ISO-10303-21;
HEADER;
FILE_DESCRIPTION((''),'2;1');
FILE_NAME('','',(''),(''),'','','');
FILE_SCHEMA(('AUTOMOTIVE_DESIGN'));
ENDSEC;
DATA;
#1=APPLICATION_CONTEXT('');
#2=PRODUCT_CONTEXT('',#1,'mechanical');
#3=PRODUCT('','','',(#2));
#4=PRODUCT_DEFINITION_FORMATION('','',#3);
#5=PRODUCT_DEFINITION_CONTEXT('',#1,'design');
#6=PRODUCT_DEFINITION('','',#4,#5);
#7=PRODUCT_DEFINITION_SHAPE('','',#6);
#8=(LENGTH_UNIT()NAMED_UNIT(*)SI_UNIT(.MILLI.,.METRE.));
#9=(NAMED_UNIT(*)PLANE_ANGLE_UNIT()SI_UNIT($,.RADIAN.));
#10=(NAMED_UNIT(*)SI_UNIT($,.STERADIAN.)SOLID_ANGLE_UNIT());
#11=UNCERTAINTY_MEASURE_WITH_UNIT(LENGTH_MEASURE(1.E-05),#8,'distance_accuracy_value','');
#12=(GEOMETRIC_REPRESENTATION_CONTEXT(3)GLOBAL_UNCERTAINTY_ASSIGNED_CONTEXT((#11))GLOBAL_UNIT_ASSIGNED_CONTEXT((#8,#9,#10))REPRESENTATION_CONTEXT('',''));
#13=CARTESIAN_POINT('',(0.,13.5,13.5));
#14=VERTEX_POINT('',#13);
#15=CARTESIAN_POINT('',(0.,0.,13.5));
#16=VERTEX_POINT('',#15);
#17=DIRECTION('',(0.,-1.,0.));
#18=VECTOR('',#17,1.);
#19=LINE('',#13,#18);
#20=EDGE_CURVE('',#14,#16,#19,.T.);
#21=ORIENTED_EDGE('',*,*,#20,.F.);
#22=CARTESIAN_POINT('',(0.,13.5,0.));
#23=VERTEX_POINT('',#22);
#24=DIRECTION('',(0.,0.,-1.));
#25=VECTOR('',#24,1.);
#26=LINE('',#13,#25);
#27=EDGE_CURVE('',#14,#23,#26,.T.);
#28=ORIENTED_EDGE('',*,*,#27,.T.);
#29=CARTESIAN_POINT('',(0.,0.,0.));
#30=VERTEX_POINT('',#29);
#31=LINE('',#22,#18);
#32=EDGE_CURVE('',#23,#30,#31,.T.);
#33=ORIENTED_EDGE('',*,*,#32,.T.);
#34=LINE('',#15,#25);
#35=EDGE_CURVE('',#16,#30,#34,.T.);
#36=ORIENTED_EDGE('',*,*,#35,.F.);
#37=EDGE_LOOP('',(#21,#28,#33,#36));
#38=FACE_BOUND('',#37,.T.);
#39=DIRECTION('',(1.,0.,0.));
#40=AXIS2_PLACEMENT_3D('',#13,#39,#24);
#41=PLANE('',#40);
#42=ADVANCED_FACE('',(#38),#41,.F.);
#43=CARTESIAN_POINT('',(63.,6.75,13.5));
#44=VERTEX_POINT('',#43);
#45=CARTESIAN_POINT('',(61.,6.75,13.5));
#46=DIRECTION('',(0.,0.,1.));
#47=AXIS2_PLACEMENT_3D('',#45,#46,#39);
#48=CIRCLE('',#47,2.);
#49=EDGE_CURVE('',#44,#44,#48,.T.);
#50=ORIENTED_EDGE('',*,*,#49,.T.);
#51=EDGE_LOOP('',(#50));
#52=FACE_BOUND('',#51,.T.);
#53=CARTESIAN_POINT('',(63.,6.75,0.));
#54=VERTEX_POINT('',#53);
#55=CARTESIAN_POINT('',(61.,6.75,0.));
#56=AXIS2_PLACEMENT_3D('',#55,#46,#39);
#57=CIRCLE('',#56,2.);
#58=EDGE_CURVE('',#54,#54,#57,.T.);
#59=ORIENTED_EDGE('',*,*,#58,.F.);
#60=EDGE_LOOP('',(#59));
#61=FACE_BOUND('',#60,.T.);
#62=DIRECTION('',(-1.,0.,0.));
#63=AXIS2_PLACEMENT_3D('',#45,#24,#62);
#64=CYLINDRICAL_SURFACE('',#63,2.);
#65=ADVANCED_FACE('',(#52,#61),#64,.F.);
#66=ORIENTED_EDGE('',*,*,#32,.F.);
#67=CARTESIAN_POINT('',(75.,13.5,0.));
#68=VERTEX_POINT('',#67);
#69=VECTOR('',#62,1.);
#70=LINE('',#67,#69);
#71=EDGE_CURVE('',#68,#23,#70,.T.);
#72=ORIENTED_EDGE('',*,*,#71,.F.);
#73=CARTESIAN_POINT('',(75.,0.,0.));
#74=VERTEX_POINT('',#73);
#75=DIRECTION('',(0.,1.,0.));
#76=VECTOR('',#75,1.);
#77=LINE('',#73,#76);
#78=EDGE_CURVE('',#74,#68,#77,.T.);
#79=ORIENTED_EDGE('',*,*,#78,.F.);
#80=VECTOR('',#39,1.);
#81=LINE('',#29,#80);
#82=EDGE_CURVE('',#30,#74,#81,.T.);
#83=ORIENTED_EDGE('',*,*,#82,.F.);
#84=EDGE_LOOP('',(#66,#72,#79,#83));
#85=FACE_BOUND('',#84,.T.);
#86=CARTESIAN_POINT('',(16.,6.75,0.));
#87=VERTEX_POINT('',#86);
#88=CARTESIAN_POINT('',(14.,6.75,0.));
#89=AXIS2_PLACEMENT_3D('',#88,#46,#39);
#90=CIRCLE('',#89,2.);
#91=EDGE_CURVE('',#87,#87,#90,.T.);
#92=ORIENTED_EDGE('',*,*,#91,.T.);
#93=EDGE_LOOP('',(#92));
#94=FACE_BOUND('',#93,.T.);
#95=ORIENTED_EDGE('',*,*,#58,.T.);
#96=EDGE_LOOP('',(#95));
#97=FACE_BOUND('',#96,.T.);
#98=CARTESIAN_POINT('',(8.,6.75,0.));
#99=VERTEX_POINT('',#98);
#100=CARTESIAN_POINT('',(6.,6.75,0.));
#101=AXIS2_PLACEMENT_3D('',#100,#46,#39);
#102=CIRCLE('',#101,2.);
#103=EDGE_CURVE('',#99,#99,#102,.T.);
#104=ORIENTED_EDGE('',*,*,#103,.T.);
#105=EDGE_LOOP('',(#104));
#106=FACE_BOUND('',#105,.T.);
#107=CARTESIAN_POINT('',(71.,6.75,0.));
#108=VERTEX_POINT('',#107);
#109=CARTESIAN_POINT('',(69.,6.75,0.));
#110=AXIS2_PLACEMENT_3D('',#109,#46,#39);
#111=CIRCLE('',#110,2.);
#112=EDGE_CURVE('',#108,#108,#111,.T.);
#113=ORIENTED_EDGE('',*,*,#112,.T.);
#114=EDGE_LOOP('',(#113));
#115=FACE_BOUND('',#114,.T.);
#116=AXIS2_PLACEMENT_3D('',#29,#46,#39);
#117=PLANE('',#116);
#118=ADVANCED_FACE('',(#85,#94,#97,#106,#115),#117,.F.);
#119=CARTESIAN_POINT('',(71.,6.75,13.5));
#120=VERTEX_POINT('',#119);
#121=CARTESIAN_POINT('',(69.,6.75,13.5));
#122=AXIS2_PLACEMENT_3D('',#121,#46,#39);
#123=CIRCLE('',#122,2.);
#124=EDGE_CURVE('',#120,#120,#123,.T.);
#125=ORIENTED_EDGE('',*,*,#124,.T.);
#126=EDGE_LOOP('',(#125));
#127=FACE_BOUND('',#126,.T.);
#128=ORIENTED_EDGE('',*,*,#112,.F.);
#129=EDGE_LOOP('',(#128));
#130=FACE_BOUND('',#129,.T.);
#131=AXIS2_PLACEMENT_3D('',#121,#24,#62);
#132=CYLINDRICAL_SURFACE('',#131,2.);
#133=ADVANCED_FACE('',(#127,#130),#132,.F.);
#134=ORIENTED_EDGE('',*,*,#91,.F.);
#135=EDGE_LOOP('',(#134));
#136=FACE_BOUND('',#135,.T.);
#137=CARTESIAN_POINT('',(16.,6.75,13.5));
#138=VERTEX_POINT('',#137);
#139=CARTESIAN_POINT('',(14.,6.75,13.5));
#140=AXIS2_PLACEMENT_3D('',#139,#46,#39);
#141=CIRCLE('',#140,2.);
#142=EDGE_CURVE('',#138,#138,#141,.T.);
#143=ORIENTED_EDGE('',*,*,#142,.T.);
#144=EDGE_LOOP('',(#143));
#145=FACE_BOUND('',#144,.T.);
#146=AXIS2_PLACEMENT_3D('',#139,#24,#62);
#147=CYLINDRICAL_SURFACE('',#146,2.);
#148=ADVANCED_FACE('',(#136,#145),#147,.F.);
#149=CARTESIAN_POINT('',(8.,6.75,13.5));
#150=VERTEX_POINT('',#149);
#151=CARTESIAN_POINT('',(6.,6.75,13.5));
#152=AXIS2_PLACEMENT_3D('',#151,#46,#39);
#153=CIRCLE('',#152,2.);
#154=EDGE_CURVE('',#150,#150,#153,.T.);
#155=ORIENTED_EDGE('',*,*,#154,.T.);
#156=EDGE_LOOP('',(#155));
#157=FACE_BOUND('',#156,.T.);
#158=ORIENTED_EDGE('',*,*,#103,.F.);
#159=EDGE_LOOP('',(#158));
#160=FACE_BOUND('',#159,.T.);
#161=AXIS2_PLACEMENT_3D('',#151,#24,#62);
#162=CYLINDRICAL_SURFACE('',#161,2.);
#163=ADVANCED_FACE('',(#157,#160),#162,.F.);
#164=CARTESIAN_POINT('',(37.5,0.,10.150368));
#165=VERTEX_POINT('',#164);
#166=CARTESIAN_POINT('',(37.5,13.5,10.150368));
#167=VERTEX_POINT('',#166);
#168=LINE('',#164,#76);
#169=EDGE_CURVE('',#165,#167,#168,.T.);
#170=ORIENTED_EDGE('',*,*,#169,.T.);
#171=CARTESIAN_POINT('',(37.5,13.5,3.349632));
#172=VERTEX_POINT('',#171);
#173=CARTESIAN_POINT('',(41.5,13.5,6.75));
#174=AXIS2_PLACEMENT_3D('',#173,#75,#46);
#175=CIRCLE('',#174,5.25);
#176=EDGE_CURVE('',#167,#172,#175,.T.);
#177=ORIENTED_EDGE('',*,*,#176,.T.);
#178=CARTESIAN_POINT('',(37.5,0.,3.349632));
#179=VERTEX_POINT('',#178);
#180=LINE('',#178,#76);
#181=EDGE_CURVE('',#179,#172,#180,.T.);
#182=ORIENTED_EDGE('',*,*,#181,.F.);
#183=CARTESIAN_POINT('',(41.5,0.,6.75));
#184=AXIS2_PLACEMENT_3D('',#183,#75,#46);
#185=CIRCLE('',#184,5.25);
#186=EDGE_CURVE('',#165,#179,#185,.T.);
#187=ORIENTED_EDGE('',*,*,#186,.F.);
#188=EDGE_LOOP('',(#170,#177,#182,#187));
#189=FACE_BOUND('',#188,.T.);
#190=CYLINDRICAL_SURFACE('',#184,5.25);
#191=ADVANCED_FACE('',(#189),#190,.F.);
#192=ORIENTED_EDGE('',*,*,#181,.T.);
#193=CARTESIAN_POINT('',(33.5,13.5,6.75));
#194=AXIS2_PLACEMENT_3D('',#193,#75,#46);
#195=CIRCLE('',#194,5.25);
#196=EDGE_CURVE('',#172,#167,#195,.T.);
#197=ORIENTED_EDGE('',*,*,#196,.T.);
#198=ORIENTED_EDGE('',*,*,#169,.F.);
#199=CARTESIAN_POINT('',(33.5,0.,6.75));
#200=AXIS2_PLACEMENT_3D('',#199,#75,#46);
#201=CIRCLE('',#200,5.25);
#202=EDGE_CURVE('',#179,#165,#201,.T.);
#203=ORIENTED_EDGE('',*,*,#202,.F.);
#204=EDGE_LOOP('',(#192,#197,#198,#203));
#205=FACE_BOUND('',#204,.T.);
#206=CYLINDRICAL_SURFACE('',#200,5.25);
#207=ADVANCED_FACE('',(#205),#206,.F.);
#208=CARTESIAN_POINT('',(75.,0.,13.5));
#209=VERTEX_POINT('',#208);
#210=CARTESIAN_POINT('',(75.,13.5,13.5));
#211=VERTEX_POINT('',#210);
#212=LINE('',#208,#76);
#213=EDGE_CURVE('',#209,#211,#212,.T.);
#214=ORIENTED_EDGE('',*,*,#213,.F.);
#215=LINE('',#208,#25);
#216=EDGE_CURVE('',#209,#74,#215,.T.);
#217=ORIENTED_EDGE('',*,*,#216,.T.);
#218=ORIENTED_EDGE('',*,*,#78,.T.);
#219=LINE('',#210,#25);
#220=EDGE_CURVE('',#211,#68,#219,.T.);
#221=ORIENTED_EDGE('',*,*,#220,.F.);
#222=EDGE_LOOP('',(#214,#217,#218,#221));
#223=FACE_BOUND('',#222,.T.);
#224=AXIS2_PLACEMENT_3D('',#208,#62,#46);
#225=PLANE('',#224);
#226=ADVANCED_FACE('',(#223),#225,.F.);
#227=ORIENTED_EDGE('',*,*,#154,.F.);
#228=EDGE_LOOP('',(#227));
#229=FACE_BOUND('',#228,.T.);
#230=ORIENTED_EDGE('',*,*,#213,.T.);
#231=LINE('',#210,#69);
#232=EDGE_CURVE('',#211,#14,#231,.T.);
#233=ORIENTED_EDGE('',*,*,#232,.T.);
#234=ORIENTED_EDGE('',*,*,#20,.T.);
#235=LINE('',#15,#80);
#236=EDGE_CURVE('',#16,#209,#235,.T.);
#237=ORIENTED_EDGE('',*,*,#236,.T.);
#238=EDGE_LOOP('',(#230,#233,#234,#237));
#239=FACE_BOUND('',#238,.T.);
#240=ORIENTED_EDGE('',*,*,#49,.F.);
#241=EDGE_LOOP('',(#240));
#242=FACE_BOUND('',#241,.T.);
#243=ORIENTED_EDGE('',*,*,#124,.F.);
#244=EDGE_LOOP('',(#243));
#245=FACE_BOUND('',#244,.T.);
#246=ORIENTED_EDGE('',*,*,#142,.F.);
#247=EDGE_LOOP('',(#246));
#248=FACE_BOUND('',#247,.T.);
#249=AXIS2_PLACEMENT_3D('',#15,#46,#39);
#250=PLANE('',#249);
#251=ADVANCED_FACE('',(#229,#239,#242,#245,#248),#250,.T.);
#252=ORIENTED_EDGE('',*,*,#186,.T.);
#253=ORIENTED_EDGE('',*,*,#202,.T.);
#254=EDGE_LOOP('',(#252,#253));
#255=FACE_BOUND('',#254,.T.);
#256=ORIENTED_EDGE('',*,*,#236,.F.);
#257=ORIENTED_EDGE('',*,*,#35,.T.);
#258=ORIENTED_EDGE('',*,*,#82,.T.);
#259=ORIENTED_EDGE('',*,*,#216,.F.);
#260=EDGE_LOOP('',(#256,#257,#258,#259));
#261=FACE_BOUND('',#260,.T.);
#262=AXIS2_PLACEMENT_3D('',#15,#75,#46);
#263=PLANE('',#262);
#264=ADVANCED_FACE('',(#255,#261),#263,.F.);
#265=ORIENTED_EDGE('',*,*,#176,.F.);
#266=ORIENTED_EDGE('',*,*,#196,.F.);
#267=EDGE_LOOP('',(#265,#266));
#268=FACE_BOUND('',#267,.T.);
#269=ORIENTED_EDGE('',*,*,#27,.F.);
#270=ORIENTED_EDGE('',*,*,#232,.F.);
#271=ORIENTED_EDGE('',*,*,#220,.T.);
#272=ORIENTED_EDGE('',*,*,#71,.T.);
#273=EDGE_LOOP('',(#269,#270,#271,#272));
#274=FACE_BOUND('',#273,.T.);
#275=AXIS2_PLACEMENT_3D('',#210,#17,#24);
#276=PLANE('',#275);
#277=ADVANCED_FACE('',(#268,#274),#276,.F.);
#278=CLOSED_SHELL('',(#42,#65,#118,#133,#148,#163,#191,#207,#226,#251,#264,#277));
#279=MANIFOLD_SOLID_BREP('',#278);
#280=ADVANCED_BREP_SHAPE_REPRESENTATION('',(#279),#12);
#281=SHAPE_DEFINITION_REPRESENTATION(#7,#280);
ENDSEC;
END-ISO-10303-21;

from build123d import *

# Parameters (mm, degrees)
SKETCH2_W           = 75
SKETCH2_H           = 13.5
SKETCH2_R           = 2
BOSS_EXTRUDE1_DEPTH = 13.5
CUT_EXTRUDE1_DEPTH  = 13.5


with BuildPart() as part:
    # Sketch2 → Boss-Extrude1 (new body)
    with BuildSketch(Plane.XY):
        with Locations((37.5, 6.75)):
            Rectangle(SKETCH2_W, SKETCH2_H)
        with Locations((6, 6.75)):
            Circle(SKETCH2_R, mode=Mode.SUBTRACT)
        with Locations((14, 6.75)):
            Circle(SKETCH2_R, mode=Mode.SUBTRACT)
        with Locations((69, 6.75)):
            Circle(SKETCH2_R, mode=Mode.SUBTRACT)
        with Locations((61, 6.75)):
            Circle(SKETCH2_R, mode=Mode.SUBTRACT)
    extrude(amount=BOSS_EXTRUDE1_DEPTH)

    # Sketch3 → Cut-Extrude1 (cut)
    with BuildSketch(Plane(origin=(0, 13.5, 0), x_dir=(1, 0, 0), z_dir=(0, 1, 0))):
        with BuildLine():
            ThreePointArc((37.5, -3.349632373), (28.25, -6.75), (37.5, -10.150367627))
            ThreePointArc((37.5, -10.150367627), (46.75, -6.75), (37.5, -3.349632373))
        make_face()
    extrude(amount=-CUT_EXTRUDE1_DEPTH, mode=Mode.SUBTRACT)


solid = part.part
